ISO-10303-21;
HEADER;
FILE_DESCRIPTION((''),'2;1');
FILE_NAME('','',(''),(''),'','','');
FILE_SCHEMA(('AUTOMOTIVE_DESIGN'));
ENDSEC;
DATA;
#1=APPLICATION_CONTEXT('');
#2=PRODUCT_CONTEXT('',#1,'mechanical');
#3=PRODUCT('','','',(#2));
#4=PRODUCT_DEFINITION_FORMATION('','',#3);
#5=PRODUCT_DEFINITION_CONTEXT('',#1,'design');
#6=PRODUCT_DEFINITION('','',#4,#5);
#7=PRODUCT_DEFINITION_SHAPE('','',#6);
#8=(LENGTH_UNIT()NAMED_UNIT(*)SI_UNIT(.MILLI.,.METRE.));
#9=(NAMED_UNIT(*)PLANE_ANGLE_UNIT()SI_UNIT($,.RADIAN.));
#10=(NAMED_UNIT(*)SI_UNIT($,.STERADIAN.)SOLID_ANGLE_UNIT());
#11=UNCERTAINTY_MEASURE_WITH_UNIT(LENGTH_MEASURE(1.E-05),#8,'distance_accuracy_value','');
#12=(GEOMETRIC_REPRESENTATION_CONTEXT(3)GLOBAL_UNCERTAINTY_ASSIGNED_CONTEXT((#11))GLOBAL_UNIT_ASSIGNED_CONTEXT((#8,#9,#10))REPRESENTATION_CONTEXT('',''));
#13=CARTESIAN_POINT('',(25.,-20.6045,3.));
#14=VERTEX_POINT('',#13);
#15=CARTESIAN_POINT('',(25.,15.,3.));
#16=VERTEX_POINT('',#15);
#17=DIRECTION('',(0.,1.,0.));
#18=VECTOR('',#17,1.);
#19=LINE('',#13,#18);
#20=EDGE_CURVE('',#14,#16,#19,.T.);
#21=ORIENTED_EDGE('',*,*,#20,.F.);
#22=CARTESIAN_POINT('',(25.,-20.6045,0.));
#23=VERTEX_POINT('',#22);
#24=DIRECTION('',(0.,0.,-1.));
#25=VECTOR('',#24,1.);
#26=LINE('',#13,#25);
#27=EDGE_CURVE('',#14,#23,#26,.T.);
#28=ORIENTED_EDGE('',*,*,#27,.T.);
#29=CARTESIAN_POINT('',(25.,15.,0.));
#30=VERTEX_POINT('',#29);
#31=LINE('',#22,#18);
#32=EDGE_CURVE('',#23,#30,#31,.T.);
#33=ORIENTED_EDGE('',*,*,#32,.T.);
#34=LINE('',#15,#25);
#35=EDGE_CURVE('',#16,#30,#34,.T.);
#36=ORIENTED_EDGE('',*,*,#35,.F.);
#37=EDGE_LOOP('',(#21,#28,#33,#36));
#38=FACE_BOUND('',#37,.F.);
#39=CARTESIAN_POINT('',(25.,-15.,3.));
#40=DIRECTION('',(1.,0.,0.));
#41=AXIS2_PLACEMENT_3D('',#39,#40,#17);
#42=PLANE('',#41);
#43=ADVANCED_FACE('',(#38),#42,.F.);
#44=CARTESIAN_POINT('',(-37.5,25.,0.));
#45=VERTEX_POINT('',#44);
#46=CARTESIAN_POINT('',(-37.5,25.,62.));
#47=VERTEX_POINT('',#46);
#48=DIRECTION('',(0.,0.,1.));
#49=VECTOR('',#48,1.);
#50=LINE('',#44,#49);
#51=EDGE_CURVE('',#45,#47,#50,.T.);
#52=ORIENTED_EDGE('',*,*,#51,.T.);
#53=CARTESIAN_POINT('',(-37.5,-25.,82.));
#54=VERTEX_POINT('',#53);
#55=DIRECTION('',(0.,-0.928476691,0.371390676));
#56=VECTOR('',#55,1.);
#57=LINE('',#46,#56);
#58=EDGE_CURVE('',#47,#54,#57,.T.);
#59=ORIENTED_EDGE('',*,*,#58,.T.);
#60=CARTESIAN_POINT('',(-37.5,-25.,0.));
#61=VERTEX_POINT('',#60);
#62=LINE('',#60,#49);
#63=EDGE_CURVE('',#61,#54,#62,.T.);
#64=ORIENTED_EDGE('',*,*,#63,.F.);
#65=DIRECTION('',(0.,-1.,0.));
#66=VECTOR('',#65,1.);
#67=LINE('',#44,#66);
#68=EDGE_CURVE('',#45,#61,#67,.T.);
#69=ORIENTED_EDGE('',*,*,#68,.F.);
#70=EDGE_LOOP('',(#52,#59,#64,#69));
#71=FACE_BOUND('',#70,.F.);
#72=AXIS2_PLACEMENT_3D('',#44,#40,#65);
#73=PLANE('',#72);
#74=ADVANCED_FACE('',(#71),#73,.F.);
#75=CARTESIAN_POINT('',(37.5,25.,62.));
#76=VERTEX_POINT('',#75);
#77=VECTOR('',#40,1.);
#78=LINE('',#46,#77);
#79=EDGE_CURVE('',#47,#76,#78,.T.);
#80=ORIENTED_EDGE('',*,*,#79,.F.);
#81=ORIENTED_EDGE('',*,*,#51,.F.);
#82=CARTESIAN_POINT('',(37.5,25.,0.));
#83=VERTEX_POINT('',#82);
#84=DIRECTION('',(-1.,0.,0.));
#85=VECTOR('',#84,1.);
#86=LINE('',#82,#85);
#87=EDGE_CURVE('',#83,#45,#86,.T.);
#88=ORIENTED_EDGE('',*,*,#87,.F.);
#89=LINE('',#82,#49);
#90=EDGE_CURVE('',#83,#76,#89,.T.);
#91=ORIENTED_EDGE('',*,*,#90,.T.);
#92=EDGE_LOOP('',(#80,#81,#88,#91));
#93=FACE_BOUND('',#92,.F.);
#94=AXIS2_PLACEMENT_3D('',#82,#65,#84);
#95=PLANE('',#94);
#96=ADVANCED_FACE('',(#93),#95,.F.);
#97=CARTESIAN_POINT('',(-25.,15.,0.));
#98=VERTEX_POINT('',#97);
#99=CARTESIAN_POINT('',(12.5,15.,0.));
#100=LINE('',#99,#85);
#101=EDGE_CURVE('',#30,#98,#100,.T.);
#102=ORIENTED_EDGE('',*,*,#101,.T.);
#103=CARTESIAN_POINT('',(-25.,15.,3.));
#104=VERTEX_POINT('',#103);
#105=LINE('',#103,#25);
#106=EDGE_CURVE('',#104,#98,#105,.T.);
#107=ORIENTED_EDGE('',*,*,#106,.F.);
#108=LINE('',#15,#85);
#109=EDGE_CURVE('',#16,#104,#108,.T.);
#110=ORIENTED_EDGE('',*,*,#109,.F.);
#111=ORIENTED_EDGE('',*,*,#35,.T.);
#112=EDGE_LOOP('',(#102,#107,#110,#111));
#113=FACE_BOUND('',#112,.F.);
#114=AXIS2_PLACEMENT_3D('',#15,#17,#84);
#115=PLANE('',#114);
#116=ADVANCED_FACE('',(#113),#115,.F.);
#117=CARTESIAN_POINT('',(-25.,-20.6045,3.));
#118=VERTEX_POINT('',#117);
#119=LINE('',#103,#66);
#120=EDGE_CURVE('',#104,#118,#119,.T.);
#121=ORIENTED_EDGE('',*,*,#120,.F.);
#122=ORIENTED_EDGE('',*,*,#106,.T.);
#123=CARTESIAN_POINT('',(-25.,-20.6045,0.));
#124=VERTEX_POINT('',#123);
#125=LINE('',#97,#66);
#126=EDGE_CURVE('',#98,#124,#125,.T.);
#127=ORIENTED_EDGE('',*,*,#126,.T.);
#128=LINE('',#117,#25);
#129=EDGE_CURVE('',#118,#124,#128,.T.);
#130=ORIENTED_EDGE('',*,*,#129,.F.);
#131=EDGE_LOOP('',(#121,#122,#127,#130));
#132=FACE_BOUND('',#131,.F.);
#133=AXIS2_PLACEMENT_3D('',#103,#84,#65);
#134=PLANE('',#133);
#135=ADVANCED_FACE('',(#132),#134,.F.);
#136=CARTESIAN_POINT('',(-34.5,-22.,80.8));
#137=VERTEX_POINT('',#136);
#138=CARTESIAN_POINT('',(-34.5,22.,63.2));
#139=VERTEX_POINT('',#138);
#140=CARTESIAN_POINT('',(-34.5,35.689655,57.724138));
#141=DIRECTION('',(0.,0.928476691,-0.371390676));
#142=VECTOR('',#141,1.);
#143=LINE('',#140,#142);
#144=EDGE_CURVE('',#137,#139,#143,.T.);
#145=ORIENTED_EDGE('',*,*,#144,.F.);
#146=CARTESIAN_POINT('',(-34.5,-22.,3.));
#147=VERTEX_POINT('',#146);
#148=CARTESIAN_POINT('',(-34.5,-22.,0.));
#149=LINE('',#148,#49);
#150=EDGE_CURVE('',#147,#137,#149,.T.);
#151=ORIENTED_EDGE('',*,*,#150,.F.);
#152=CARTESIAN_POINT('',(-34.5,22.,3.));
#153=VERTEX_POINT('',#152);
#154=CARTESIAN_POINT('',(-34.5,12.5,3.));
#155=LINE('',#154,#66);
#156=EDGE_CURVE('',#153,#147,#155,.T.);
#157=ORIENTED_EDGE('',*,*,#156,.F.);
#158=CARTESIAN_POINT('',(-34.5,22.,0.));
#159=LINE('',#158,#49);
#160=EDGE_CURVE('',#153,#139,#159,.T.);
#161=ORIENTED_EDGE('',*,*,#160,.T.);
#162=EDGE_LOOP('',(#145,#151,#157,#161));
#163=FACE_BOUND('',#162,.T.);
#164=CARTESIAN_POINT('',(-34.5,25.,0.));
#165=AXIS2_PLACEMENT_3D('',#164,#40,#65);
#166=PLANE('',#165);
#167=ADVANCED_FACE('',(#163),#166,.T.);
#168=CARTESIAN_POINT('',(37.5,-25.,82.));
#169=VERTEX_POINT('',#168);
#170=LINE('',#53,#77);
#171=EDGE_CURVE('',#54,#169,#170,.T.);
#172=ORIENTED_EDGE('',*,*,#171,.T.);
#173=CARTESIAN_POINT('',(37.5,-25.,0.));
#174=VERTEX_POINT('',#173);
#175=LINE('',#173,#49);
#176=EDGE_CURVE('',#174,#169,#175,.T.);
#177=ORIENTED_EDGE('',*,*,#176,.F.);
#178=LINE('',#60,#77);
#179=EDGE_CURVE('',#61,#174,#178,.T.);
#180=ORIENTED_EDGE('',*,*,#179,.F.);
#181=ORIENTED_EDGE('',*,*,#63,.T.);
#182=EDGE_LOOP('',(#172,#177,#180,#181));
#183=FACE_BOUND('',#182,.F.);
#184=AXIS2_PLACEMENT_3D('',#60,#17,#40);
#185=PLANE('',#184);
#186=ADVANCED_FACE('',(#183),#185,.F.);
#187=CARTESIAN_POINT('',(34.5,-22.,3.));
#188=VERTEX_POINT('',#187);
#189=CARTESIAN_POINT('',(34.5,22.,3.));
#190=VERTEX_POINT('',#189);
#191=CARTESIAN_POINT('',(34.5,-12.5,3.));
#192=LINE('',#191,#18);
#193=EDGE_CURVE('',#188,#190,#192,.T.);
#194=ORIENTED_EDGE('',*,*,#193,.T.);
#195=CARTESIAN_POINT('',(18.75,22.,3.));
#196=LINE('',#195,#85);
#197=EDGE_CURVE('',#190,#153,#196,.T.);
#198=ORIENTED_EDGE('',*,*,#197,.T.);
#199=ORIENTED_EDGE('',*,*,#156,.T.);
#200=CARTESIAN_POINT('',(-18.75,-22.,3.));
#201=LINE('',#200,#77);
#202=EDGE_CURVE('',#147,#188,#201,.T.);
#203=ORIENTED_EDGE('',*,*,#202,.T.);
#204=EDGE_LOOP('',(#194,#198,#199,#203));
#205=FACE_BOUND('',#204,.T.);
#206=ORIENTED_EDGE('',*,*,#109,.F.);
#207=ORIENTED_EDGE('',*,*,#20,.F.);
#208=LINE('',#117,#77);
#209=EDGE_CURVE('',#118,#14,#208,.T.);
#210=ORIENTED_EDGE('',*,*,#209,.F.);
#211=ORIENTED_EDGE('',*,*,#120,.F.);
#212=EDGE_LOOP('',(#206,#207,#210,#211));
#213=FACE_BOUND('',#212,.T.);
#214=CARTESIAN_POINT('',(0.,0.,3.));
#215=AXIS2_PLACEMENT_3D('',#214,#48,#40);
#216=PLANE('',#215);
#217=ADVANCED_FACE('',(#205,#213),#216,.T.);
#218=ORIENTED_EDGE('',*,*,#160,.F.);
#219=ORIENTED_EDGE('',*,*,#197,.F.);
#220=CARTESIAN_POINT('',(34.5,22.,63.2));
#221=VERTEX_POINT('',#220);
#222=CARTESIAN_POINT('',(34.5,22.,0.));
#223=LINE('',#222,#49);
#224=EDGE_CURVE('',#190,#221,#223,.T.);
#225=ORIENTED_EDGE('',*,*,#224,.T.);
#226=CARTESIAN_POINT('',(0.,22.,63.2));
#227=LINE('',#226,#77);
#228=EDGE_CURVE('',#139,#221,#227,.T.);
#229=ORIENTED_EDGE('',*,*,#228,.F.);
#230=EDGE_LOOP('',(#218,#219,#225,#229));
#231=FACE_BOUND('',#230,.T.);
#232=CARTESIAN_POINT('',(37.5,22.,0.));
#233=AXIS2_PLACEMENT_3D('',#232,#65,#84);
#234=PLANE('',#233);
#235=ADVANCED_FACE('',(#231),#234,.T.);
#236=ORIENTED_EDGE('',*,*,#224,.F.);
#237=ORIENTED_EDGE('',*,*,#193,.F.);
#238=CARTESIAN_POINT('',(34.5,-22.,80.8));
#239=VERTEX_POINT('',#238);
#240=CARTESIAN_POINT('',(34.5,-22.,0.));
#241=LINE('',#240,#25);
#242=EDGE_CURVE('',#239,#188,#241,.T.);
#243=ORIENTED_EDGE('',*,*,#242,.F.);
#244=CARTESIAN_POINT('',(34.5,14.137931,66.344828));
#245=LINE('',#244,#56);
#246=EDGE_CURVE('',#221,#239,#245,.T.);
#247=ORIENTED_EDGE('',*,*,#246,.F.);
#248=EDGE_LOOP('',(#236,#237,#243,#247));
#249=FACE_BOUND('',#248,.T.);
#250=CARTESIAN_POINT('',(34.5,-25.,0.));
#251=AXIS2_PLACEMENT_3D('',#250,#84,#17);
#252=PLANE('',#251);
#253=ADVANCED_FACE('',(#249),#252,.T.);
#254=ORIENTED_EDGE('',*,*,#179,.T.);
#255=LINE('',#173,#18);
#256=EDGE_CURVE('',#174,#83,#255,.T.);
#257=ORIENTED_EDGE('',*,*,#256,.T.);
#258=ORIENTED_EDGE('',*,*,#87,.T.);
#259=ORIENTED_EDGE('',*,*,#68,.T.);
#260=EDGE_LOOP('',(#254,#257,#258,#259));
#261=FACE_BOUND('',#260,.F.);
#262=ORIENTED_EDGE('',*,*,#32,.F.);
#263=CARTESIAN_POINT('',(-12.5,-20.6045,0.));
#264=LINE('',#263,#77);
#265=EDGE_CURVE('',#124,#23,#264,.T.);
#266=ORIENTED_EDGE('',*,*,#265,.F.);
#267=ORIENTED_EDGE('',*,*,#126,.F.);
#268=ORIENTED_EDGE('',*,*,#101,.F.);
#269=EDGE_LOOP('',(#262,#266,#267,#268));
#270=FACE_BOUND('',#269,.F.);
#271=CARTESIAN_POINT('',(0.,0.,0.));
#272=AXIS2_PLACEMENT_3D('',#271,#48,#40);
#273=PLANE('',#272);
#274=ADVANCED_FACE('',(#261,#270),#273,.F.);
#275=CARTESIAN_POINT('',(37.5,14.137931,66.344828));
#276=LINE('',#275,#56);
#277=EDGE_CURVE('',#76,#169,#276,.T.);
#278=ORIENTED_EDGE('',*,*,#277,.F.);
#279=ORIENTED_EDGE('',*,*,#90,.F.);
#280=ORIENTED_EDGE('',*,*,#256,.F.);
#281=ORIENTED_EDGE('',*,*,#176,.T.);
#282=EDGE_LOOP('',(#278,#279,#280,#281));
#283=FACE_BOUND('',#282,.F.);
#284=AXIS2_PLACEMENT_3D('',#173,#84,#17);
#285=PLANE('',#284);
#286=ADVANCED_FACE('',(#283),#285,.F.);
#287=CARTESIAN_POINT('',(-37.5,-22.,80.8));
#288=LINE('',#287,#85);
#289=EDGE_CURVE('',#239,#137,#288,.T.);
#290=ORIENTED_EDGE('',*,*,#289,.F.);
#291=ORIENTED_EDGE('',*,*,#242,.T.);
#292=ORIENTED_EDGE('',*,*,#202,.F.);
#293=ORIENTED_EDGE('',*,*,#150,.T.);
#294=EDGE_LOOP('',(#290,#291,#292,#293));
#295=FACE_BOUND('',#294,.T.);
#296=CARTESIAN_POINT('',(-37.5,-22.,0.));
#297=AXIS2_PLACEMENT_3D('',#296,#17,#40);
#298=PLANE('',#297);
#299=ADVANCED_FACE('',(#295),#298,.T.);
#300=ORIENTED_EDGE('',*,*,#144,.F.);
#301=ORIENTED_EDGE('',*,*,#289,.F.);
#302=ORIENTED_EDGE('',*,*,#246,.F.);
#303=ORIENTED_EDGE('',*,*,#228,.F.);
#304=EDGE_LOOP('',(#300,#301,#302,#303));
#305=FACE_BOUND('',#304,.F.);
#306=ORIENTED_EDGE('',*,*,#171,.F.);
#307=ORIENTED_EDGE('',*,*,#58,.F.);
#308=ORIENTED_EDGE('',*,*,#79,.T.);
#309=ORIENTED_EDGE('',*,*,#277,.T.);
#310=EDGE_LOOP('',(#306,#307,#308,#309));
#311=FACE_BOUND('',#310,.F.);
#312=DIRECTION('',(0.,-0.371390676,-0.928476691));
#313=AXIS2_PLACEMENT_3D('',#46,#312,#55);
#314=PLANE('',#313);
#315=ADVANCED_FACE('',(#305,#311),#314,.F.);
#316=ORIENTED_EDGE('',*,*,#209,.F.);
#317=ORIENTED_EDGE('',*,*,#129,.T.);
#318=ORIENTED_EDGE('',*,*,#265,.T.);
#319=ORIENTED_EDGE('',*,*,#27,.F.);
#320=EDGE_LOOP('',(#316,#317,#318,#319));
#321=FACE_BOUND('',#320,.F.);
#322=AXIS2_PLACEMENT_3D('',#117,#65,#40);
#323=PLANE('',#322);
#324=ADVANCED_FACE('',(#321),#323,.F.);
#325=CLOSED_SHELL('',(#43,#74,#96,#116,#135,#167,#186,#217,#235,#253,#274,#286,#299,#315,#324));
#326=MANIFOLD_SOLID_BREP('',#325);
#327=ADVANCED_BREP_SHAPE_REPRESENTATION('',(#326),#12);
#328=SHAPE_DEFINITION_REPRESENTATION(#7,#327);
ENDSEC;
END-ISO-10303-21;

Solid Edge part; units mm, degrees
sketch "Sketch1" plane through (0, 0, 0) normal (0, 0, 1) x (1, 0, 0)
  line L0 (37.5, -25) -> (37.5, 25)
  line L1 (37.5, 25) -> (-37.5, 25)
  line L2 (-37.5, 25) -> (-37.5, -25)
  line L3 (-37.5, -25) -> (37.5, -25)
extrude "Protrusion1" add sketch "Sketch1" along normal blind 82
shell "Thinwall1" thickness 3 removed faces 1 at (-25.75, -16.1667, 82)
sketch "Sketch2" plane through (-37.5, 0, 30) normal (-1, 0, 0) x (0, -1, 0)
  line L0 (-25, 52) -> (-25, 32)
  line L1 (-25, 32) -> (25, 52)
  line L2 (25, 52) -> (-25, 52)
extrude "Cutout1" cut sketch "Sketch2" against normal blind 230
sketch "Sketch3" plane through (0, 0, 3) normal (0, 0, 1) x (1, 0, 0)
  line L0 (25, -15) -> (25, 15)
  line L1 (25, 15) -> (-25, 15)
  line L2 (-25, 15) -> (-25, -15)
  line L3 (-25, -15) -> (-25, -20.6045)
  line L4 (-25, -20.6045) -> (25, -20.6045)
  line L5 (25, -20.6045) -> (25, -15)
extrude "Cutout2" cut sketch "Sketch3" against normal blind 380
